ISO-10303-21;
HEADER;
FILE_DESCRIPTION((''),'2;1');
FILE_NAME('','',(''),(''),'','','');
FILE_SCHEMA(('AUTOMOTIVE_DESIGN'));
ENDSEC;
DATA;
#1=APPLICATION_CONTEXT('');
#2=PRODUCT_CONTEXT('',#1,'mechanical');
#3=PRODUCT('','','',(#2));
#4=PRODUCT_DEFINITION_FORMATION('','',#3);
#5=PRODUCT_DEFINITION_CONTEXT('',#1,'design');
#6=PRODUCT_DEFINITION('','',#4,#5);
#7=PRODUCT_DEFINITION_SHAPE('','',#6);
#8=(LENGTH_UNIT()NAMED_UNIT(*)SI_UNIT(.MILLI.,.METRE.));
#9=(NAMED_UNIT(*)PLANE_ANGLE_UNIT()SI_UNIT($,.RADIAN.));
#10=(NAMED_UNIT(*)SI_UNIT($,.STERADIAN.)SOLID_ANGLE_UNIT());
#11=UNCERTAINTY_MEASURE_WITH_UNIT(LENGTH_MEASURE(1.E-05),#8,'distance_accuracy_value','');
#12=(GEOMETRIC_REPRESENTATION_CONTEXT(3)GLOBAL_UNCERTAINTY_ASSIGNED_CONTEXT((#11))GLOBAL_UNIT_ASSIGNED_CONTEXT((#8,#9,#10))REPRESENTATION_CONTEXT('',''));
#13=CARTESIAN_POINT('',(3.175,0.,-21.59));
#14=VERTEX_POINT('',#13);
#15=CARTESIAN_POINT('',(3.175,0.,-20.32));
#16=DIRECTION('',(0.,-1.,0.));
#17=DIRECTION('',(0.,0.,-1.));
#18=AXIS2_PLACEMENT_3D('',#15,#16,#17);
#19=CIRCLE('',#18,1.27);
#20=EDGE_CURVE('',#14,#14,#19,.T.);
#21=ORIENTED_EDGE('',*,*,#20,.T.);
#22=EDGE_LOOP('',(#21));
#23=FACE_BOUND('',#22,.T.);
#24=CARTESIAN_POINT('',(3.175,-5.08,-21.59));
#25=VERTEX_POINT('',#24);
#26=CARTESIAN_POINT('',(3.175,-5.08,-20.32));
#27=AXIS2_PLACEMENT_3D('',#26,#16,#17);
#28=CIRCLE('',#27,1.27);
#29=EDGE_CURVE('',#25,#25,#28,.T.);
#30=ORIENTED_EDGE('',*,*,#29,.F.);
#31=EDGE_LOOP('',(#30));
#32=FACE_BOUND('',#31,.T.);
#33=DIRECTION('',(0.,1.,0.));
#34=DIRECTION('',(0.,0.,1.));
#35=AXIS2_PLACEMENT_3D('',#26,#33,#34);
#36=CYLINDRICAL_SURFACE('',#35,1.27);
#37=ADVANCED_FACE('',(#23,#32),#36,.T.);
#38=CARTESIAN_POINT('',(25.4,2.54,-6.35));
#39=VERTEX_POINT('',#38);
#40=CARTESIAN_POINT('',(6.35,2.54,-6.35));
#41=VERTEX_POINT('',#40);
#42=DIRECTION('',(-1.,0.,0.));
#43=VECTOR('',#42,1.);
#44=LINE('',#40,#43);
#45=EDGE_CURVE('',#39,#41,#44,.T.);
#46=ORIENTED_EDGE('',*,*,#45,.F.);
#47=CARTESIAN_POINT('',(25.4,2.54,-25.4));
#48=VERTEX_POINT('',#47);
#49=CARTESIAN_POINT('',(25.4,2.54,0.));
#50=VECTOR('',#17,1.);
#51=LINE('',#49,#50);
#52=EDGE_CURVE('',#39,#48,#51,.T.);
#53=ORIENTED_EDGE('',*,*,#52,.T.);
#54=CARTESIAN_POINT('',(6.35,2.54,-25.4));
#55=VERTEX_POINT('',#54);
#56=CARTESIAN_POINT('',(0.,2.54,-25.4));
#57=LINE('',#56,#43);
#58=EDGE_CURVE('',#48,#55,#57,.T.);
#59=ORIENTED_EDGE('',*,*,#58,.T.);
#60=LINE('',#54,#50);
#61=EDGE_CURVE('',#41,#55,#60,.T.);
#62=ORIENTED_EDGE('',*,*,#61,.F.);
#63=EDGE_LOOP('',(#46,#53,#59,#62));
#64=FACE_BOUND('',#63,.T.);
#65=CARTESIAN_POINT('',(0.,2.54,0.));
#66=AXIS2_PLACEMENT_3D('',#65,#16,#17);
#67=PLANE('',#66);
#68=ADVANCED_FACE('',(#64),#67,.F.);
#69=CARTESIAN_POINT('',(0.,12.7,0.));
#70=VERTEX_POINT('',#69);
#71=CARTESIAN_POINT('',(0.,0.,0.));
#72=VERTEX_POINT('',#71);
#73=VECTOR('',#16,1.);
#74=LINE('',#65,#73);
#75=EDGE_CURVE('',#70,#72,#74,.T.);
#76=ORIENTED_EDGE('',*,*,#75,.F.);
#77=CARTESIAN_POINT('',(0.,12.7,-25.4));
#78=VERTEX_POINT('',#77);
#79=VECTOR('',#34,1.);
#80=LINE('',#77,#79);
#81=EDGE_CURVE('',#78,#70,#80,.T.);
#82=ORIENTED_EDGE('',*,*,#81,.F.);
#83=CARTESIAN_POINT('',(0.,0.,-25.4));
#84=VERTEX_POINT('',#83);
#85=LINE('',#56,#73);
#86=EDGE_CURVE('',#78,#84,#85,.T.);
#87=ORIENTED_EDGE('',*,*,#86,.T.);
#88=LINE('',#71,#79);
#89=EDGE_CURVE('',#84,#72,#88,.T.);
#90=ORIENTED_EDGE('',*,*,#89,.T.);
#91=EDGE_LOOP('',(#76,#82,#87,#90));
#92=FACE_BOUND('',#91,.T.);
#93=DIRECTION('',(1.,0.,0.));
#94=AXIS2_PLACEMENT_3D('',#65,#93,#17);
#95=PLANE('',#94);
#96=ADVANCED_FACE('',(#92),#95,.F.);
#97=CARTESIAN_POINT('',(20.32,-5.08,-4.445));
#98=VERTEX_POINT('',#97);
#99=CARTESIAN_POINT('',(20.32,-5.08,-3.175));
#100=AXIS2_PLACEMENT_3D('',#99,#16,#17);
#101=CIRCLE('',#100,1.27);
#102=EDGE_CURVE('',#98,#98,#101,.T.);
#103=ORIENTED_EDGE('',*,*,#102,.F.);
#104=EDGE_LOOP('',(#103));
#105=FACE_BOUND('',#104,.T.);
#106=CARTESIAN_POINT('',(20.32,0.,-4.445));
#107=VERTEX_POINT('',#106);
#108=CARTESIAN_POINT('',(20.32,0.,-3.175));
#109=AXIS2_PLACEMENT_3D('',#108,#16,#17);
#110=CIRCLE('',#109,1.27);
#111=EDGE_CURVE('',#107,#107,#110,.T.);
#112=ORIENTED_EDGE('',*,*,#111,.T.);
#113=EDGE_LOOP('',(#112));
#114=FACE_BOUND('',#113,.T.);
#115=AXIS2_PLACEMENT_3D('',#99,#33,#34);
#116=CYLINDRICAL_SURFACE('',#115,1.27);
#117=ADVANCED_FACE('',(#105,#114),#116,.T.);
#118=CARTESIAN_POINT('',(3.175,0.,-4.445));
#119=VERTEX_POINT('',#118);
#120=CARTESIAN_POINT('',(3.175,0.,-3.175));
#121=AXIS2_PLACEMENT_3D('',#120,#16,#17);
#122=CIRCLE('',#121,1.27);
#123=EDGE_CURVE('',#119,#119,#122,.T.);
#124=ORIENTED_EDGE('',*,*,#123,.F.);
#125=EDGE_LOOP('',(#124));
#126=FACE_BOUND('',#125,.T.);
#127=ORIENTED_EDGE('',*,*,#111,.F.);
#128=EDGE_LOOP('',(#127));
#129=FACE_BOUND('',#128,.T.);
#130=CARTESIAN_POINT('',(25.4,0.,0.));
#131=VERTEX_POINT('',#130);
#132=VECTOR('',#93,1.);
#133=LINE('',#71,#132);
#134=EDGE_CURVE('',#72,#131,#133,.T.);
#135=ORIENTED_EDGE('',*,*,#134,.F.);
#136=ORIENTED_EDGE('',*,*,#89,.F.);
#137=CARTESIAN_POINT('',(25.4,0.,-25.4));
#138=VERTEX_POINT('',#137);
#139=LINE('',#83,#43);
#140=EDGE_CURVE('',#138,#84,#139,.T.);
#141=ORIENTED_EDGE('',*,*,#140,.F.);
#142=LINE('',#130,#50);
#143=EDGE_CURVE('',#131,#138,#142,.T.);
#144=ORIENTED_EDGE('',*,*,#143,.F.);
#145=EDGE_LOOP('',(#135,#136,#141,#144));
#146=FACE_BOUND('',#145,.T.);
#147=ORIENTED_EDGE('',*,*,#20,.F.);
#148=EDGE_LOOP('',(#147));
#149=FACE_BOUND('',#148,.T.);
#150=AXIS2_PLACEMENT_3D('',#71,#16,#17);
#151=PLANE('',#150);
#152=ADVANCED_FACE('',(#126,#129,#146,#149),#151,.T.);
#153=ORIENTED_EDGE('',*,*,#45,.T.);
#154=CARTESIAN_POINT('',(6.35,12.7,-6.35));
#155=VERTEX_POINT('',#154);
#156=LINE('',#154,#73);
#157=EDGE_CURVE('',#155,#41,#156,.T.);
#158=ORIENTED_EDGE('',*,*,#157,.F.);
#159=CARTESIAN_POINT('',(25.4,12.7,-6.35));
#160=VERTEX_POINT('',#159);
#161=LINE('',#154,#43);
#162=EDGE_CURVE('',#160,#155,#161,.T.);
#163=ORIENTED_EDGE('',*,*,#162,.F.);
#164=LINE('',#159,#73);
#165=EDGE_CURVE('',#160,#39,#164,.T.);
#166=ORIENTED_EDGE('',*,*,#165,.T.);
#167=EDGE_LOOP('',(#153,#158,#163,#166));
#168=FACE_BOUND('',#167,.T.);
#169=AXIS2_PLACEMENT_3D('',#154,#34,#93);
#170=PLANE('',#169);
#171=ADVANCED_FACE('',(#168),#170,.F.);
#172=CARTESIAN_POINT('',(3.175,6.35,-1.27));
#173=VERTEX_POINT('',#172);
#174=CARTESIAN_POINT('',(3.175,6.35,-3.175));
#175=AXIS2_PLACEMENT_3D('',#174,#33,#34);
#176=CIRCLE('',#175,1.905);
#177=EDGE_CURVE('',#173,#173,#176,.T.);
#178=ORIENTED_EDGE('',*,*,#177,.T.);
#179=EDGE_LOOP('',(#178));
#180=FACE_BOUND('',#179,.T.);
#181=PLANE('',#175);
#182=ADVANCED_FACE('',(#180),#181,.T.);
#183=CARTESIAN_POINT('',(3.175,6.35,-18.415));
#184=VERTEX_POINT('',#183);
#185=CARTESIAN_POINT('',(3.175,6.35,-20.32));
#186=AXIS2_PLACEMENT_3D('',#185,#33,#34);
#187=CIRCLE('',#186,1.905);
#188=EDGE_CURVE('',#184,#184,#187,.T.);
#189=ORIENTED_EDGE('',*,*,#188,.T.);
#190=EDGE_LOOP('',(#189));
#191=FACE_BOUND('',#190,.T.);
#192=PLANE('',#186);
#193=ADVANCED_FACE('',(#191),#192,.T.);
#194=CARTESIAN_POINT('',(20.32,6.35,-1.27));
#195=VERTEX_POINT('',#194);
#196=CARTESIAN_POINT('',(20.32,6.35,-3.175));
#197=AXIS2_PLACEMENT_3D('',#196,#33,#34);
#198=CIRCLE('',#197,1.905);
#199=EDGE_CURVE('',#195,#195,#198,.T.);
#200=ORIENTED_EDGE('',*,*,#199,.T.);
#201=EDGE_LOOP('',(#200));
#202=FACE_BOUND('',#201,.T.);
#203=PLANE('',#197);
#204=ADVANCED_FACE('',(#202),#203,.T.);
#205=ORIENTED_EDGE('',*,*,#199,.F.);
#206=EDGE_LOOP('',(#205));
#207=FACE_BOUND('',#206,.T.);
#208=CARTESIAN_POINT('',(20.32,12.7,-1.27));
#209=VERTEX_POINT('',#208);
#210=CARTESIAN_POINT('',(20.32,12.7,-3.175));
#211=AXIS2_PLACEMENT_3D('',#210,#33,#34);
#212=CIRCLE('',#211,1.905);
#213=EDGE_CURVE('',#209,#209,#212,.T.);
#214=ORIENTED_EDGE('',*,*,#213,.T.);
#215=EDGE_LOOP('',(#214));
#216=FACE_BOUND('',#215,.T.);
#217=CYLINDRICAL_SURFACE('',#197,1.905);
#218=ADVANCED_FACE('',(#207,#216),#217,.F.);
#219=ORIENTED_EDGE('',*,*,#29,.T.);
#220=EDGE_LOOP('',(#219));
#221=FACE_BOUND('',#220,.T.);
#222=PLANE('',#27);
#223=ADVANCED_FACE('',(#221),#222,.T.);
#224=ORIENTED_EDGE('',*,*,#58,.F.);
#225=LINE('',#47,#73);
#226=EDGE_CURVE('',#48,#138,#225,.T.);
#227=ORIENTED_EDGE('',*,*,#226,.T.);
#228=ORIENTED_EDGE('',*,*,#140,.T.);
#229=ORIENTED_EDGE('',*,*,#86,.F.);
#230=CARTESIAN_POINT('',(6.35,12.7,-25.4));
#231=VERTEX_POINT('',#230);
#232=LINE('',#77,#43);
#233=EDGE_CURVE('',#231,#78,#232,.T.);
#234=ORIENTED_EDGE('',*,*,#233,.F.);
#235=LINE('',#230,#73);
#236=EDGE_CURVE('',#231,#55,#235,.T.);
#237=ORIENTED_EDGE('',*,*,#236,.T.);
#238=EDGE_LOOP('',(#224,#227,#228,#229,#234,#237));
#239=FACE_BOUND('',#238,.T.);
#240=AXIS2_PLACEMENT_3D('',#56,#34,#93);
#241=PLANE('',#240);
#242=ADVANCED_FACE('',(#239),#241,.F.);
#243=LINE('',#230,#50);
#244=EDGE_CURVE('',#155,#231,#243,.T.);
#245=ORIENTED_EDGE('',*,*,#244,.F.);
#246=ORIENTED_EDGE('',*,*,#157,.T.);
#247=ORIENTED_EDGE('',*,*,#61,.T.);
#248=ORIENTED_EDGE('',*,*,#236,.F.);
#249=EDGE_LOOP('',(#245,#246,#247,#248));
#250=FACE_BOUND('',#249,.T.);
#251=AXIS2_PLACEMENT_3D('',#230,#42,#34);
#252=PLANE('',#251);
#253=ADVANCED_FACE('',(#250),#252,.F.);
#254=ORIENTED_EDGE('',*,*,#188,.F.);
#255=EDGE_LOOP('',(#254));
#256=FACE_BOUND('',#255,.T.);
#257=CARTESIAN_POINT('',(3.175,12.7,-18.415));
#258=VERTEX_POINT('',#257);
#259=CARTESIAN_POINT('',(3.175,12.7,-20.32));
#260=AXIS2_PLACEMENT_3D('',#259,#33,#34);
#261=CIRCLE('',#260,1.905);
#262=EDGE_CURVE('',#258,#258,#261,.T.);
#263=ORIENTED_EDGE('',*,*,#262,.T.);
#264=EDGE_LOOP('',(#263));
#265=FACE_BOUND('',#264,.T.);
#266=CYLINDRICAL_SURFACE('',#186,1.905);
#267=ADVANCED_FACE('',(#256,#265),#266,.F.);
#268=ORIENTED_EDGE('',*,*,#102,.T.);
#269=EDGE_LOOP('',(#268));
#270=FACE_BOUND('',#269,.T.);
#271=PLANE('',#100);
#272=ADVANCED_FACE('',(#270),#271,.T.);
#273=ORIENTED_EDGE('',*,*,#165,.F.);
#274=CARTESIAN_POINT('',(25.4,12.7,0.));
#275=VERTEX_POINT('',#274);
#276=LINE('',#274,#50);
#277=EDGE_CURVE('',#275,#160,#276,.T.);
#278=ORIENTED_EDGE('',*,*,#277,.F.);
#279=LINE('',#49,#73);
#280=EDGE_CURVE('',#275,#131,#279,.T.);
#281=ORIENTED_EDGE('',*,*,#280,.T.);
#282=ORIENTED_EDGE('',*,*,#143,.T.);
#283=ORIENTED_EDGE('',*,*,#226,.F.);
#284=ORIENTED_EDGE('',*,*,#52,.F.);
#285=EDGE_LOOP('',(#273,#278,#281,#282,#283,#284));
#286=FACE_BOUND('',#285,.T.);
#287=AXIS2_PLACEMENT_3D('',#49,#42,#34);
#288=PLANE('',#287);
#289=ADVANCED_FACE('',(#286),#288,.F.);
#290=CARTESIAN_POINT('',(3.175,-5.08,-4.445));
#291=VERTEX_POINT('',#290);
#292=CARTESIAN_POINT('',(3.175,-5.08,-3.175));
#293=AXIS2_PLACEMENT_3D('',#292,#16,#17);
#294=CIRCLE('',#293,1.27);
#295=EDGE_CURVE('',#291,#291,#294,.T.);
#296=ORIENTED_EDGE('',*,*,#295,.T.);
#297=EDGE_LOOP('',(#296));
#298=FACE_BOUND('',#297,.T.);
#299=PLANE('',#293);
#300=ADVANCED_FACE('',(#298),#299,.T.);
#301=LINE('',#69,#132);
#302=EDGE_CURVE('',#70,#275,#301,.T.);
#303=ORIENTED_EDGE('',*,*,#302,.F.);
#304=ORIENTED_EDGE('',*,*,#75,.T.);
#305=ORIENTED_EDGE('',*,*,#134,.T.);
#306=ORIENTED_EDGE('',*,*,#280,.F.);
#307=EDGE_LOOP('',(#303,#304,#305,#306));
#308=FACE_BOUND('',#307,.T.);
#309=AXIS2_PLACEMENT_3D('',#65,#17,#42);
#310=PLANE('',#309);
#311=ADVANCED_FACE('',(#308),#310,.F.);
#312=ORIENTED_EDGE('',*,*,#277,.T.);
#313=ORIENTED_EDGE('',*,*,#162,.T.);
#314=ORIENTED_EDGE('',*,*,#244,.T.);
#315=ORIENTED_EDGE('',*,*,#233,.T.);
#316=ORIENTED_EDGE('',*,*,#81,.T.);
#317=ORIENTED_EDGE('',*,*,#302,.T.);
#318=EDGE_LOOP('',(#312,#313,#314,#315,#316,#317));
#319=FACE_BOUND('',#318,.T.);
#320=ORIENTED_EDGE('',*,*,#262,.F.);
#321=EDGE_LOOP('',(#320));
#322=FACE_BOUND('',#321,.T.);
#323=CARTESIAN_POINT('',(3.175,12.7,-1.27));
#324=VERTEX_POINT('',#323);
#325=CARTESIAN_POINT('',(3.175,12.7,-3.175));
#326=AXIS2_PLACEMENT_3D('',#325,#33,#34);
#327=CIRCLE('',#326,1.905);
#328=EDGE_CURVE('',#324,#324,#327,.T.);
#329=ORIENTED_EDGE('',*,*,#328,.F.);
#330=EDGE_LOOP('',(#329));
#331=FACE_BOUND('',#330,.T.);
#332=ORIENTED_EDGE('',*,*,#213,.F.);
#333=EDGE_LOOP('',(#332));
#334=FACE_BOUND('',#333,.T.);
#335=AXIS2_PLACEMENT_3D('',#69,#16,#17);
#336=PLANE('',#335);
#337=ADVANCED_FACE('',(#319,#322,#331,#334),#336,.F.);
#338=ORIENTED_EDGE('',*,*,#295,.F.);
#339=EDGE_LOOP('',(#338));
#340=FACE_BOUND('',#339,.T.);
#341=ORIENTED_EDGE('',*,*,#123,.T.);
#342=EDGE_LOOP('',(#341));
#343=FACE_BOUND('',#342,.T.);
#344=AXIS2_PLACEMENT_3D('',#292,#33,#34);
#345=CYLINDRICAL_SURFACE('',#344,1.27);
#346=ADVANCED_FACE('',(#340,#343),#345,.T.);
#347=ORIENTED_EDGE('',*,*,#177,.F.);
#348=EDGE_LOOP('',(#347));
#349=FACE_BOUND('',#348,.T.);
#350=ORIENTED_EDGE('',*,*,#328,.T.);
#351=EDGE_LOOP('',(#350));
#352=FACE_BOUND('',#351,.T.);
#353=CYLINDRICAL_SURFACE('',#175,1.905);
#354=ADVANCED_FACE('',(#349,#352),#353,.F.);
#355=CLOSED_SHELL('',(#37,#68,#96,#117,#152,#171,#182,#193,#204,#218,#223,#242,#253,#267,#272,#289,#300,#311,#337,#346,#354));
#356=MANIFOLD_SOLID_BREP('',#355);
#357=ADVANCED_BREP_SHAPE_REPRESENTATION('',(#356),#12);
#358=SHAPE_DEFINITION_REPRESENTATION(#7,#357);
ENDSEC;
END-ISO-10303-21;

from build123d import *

# Parameters (mm, degrees)
SKETCH1_W           = 25.4
SKETCH1_H           = 25.4
BOSS_EXTRUDE1_DEPTH = 2.54
BOSS_EXTRUDE2_DEPTH = 10.16
SKETCH3_R           = 1.905
CUT_EXTRUDE1_DEPTH  = 6.35
SKETCH4_R           = 1.27
BOSS_EXTRUDE3_DEPTH = 5.08


with BuildPart() as part:
    # Sketch1 → Boss-Extrude1 (new body)
    with BuildSketch(Plane(origin=(0, 0, 0), x_dir=(1, 0, 0), z_dir=(0, 1, 0))):
        with Locations((12.7, 12.7)):
            Rectangle(SKETCH1_W, SKETCH1_H)
    extrude(amount=BOSS_EXTRUDE1_DEPTH)

    # Sketch2 → Boss-Extrude2 (add)
    with BuildSketch(Plane(origin=(0, 2.54, 0), x_dir=(1, 0, 0), z_dir=(0, 1, 0))):
        Polygon((0, 25.4), (0, 0), (25.4, 0), (25.4, 6.35), (6.35, 6.35), (6.35, 25.4), align=None)
    extrude(amount=BOSS_EXTRUDE2_DEPTH)

    # Sketch3 → Cut-Extrude1 (cut)
    with BuildSketch(Plane(origin=(0, 12.7, 0), x_dir=(1, 0, 0), z_dir=(0, 1, 0))):
        with Locations((3.175, 20.32)):
            Circle(SKETCH3_R)
        with Locations((3.175, 3.175)):
            Circle(SKETCH3_R)
        with Locations((20.32, 3.175)):
            Circle(SKETCH3_R)
    extrude(amount=-CUT_EXTRUDE1_DEPTH, mode=Mode.SUBTRACT)

    # Sketch4 → Boss-Extrude3 (add)
    with BuildSketch(Plane.XZ):
        with Locations((3.175, -3.175)):
            Circle(SKETCH4_R)
        with Locations((20.32, -3.175)):
            Circle(SKETCH4_R)
        with Locations((3.175, -20.32)):
            Circle(SKETCH4_R)
    extrude(amount=BOSS_EXTRUDE3_DEPTH)


solid = part.part
